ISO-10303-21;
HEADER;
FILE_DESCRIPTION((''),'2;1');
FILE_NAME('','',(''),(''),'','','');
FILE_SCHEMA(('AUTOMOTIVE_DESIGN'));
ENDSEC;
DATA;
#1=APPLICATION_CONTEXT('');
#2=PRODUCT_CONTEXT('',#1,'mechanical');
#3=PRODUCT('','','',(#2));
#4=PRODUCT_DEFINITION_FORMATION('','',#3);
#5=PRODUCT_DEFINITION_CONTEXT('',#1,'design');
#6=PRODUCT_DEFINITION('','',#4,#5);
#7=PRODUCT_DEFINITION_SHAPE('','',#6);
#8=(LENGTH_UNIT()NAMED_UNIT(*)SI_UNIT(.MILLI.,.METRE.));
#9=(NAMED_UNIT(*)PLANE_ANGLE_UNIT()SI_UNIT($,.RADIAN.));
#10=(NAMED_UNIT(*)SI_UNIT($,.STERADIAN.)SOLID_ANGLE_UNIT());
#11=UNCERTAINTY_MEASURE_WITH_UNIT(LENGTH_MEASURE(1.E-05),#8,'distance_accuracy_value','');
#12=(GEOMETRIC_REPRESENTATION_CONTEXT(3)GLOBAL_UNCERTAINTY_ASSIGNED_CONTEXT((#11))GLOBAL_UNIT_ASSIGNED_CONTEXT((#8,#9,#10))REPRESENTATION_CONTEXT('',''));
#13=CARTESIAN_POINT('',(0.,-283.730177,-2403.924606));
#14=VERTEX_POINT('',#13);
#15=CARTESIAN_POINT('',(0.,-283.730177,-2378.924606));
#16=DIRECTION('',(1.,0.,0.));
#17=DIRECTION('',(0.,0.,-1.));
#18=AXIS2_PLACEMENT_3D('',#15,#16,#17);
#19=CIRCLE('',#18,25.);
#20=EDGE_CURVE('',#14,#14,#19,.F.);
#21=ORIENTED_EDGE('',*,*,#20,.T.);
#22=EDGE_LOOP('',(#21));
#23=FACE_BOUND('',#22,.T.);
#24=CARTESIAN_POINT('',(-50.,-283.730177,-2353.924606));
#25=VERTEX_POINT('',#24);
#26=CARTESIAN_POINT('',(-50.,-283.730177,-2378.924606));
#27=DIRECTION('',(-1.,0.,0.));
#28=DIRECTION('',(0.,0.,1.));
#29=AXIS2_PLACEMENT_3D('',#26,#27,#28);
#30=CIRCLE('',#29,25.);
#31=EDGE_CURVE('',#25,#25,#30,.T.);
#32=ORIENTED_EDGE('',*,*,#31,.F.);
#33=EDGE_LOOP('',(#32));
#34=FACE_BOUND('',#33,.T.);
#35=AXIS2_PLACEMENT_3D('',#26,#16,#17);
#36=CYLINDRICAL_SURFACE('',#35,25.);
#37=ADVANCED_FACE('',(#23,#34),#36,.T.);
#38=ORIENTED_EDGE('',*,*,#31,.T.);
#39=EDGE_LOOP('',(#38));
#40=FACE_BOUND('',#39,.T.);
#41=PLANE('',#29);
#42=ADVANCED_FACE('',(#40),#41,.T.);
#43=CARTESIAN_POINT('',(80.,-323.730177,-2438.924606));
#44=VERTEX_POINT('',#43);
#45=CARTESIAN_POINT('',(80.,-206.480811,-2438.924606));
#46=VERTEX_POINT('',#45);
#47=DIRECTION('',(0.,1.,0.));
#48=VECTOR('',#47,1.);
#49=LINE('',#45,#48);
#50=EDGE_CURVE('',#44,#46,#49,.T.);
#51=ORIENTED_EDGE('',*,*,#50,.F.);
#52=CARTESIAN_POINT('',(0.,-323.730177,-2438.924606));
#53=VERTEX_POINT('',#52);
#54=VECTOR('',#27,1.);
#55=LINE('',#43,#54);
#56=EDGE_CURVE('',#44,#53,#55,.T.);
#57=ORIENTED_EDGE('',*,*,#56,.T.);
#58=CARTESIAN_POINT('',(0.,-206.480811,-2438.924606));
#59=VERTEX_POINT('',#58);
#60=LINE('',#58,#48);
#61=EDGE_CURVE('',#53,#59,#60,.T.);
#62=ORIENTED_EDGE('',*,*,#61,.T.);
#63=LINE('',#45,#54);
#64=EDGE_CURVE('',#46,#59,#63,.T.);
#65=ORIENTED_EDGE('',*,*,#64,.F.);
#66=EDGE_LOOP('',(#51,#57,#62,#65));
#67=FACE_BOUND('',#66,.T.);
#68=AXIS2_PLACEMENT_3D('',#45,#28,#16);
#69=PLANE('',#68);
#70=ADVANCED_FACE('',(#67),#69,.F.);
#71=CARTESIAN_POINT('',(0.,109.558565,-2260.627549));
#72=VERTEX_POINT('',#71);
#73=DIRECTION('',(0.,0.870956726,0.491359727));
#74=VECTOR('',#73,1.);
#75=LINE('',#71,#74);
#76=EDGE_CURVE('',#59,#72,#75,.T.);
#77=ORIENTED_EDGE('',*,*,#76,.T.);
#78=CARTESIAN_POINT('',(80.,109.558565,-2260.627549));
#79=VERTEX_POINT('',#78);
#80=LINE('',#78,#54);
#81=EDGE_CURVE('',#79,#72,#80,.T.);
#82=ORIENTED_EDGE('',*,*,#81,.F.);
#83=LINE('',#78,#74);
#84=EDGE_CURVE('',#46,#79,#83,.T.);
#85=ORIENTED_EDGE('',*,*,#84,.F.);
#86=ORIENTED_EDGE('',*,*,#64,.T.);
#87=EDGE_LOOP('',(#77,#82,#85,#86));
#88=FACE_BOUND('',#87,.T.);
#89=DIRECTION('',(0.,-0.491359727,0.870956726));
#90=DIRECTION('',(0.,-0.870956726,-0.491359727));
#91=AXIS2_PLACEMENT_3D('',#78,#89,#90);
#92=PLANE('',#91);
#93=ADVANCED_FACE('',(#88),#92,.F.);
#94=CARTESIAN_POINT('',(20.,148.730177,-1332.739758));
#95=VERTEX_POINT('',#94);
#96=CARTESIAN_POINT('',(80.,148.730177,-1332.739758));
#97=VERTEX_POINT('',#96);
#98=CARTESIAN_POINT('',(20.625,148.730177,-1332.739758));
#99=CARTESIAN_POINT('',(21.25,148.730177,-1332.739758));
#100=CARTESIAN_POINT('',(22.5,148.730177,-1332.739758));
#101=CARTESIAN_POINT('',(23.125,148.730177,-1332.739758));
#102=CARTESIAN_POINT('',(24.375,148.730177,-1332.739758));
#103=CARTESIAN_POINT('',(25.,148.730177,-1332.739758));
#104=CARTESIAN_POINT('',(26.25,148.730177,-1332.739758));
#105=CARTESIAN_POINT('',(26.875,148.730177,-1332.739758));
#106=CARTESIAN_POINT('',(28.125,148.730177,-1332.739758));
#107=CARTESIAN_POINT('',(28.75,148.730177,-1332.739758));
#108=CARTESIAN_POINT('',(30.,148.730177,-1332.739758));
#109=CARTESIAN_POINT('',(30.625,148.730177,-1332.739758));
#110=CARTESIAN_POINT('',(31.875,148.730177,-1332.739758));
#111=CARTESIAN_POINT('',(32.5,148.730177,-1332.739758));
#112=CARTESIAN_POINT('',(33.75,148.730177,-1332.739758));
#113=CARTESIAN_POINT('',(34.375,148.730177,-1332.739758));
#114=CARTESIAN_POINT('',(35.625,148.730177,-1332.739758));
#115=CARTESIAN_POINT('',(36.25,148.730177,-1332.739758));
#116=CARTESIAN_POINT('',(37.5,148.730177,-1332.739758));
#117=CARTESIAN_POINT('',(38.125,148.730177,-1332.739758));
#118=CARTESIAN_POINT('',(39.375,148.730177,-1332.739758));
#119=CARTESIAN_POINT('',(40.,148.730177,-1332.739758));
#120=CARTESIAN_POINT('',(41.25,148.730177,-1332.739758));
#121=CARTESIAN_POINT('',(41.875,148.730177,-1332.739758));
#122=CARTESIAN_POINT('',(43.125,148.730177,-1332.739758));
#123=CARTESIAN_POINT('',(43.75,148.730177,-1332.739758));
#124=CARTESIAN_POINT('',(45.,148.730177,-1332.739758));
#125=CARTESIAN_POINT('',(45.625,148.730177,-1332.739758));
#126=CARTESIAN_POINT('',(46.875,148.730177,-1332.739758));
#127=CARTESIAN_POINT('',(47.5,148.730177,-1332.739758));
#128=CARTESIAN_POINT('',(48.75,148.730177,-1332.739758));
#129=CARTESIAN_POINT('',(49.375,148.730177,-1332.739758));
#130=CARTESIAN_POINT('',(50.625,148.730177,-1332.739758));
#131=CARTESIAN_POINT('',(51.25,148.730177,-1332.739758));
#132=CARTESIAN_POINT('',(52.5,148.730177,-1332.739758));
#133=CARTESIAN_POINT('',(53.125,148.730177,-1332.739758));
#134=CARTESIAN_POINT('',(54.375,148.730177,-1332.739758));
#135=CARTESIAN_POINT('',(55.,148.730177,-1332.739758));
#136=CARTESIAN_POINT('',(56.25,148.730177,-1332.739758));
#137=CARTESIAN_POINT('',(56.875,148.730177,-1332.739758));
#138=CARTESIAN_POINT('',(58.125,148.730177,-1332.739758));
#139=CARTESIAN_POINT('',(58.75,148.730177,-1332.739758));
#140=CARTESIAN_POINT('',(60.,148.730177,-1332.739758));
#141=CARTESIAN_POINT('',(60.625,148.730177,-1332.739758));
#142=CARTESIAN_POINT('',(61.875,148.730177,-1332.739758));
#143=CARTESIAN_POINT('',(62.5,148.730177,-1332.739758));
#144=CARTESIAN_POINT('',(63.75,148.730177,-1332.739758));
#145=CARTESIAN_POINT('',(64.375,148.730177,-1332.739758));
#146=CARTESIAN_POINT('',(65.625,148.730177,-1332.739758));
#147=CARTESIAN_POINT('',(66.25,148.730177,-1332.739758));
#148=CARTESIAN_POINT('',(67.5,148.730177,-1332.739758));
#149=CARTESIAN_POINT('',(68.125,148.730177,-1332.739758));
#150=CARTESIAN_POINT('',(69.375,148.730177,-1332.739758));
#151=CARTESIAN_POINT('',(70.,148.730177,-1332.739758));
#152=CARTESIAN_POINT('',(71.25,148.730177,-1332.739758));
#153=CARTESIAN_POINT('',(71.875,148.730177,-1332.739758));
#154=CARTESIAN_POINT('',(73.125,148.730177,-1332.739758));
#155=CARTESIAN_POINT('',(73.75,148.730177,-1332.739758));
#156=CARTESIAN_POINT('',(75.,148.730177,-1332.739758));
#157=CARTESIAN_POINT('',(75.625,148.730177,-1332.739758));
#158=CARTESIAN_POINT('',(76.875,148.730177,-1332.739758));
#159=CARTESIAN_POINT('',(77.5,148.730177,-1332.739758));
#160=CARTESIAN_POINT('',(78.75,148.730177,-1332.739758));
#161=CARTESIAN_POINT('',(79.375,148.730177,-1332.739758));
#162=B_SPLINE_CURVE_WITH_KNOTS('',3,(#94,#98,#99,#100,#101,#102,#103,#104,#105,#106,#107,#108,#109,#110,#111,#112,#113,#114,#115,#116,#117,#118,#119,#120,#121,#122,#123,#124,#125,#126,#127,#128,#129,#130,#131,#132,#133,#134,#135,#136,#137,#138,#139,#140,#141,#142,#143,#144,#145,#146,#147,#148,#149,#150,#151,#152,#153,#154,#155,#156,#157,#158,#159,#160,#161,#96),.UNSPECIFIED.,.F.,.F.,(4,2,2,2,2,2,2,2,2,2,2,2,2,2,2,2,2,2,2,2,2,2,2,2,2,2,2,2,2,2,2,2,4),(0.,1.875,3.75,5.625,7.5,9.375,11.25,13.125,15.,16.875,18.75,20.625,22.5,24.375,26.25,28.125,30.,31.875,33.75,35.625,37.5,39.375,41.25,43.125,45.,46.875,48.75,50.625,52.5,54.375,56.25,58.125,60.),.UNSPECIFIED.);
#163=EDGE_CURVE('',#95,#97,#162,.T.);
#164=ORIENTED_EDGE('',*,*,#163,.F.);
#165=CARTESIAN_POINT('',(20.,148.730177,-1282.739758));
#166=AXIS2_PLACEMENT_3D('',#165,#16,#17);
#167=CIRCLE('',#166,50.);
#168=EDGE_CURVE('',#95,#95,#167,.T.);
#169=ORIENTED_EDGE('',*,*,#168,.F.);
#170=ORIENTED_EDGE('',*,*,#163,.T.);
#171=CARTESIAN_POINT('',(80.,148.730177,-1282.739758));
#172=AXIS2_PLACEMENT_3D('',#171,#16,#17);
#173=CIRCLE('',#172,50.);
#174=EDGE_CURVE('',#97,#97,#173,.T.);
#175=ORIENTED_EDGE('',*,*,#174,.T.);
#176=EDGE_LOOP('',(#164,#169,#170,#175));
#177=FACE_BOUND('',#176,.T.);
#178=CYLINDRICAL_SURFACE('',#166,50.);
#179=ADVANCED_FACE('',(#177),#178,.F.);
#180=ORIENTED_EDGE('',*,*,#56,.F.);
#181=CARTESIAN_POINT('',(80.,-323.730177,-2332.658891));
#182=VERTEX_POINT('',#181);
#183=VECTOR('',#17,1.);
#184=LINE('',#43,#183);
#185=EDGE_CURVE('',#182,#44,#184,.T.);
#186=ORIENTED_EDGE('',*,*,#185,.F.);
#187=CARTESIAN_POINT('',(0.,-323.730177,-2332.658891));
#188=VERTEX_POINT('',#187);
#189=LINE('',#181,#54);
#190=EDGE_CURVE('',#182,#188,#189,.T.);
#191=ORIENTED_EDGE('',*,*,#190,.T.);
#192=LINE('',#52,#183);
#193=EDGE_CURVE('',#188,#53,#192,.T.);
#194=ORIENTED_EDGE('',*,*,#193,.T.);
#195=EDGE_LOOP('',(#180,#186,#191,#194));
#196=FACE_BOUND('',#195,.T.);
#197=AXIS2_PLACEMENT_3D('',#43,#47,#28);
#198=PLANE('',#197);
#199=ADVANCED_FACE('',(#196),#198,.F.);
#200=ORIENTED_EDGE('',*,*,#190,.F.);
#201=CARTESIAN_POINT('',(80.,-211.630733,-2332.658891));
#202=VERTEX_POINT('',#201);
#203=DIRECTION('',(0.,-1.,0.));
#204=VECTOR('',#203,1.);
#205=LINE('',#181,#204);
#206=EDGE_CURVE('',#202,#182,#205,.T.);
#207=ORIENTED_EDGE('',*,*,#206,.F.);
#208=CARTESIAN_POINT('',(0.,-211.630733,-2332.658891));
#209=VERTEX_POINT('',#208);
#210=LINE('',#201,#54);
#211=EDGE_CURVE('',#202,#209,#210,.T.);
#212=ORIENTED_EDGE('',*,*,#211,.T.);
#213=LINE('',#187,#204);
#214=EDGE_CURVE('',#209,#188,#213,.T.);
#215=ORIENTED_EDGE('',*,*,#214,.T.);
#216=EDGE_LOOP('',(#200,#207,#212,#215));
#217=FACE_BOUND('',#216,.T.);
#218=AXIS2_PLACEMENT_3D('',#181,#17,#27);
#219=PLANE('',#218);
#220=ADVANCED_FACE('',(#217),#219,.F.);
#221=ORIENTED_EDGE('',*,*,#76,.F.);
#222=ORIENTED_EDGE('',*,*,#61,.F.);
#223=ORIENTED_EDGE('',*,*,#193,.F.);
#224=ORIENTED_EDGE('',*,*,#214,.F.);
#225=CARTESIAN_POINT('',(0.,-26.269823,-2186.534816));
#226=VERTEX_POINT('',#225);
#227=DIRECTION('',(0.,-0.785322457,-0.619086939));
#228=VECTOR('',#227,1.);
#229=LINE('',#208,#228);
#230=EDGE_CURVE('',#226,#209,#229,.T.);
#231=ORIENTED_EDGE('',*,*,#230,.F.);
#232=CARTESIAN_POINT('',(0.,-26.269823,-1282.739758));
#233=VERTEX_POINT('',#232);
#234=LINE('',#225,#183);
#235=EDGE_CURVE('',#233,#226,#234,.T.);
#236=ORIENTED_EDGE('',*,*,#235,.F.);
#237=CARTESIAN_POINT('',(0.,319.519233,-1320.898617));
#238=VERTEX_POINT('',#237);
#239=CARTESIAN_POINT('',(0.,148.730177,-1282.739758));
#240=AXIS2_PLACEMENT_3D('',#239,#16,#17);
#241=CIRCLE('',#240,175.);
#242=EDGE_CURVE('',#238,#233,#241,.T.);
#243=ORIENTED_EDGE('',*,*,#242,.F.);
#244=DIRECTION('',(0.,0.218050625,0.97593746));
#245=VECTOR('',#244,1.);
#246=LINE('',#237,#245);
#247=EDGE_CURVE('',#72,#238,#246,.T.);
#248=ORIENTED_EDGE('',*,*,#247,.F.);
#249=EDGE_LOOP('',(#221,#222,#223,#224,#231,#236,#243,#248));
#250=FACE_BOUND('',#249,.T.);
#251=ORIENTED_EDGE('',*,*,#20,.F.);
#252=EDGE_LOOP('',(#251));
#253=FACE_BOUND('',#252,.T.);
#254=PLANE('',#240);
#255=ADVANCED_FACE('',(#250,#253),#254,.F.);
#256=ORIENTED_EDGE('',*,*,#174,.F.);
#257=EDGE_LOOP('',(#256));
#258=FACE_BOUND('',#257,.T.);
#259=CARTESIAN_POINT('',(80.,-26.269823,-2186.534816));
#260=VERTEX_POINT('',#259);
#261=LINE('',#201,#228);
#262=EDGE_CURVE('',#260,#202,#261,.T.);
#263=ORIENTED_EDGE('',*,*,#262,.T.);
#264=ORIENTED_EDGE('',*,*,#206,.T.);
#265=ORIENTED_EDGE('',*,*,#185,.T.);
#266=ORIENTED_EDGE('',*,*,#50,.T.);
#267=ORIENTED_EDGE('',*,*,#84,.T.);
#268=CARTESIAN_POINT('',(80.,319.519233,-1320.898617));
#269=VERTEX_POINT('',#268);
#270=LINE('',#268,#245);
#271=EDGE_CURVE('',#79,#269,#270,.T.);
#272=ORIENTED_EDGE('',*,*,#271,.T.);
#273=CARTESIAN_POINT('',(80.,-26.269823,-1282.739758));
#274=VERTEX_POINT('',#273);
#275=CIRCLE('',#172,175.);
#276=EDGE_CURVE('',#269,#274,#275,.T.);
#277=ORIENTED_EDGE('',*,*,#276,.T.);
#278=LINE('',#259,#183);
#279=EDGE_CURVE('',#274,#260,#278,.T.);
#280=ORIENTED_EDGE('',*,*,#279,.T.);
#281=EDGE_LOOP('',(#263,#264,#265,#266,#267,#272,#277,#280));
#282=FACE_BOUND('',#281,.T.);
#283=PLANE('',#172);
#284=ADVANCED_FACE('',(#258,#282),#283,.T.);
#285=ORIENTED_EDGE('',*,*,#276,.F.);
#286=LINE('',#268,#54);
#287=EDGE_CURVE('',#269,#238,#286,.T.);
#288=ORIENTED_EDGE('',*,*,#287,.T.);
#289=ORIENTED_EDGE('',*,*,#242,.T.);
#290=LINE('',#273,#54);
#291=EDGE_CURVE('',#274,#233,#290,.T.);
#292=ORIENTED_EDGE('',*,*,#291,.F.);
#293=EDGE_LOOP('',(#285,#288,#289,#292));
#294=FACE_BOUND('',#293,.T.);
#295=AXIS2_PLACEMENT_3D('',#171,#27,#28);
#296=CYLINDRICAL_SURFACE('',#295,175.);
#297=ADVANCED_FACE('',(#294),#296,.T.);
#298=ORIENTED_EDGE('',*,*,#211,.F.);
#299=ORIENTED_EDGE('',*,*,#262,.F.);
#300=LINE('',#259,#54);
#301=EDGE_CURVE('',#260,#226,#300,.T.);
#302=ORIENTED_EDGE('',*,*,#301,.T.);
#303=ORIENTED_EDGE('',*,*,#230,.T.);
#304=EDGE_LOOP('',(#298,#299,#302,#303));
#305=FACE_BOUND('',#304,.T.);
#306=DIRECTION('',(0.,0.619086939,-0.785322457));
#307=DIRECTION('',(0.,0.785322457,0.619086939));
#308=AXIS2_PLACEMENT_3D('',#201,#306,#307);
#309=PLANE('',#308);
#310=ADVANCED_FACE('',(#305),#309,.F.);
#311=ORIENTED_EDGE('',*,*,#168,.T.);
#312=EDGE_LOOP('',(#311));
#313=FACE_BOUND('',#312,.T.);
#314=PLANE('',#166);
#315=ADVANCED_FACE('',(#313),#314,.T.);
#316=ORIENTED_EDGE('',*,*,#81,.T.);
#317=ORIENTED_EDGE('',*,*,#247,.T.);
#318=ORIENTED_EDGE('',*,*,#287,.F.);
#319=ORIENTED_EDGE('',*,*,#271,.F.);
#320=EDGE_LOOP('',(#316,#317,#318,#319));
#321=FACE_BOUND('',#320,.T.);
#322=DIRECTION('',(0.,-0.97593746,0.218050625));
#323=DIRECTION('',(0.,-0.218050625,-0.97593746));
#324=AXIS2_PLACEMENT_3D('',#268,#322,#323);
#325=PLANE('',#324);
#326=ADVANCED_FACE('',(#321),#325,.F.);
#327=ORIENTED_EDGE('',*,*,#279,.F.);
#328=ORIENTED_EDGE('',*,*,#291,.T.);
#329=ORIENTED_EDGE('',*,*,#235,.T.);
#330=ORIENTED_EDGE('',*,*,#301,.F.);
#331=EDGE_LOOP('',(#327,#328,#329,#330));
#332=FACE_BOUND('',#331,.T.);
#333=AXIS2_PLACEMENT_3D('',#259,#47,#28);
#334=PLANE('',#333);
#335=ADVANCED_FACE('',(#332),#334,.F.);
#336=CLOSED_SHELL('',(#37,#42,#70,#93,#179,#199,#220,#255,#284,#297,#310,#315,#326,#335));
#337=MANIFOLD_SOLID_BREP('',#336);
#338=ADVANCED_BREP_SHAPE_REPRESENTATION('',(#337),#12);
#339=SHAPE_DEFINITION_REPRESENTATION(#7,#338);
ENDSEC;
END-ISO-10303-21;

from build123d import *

# Parameters (mm, degrees)
BOSS_EXTRUDE3_DEPTH = 80
SKETCH6_R           = 50
CUT_EXTRUDE2_DEPTH  = 60
SKETCH7_R           = 25
BOSS_EXTRUDE4_DEPTH = 50


with BuildPart() as part:
    # Sketch4 → Boss-Extrude3 (new body)
    with BuildSketch(Plane(origin=(0, 0, 0), x_dir=(0, 0, -1), z_dir=(1, 0, 0))):
        with BuildLine():
            Line((1320.898617495, 319.519232733), (2260.627548778, 109.558564747))
            Line((2260.627548778, 109.558564747), (2438.924606228, -206.480811367))
            Line((2438.924606228, -206.480811367), (2438.924606228, -323.730177318))
            Line((2438.924606228, -323.730177318), (2332.658891416, -323.730177318))
            Line((2332.658891416, -323.730177318), (2332.658891416, -211.630732545))
            Line((2332.658891416, -211.630732545), (2186.534815531, -26.269822682))
            Line((2186.534815531, -26.269822682), (1282.739758098, -26.269822682))
            ThreePointArc((1282.739758098, -26.269822682), (1108.795679875, 167.925428064), (1320.898617495, 319.519232733))
        make_face()
    extrude(amount=BOSS_EXTRUDE3_DEPTH)

    # Sketch6 → Cut-Extrude2 (cut)
    with BuildSketch(Plane(origin=(80, 0, 0), x_dir=(0, 0, -1), z_dir=(1, 0, 0))):
        with Locations((1282.739758098, 148.730177318)):
            Circle(SKETCH6_R)
    extrude(amount=-CUT_EXTRUDE2_DEPTH, mode=Mode.SUBTRACT)

    # Sketch7 → Boss-Extrude4 (add)
    with BuildSketch(Plane.ZY):
        with Locations(Location((-2378.924606228, -283.730177318, 0), (0, 0, 180))):
            Circle(SKETCH7_R)
    extrude(amount=BOSS_EXTRUDE4_DEPTH)


solid = part.part
